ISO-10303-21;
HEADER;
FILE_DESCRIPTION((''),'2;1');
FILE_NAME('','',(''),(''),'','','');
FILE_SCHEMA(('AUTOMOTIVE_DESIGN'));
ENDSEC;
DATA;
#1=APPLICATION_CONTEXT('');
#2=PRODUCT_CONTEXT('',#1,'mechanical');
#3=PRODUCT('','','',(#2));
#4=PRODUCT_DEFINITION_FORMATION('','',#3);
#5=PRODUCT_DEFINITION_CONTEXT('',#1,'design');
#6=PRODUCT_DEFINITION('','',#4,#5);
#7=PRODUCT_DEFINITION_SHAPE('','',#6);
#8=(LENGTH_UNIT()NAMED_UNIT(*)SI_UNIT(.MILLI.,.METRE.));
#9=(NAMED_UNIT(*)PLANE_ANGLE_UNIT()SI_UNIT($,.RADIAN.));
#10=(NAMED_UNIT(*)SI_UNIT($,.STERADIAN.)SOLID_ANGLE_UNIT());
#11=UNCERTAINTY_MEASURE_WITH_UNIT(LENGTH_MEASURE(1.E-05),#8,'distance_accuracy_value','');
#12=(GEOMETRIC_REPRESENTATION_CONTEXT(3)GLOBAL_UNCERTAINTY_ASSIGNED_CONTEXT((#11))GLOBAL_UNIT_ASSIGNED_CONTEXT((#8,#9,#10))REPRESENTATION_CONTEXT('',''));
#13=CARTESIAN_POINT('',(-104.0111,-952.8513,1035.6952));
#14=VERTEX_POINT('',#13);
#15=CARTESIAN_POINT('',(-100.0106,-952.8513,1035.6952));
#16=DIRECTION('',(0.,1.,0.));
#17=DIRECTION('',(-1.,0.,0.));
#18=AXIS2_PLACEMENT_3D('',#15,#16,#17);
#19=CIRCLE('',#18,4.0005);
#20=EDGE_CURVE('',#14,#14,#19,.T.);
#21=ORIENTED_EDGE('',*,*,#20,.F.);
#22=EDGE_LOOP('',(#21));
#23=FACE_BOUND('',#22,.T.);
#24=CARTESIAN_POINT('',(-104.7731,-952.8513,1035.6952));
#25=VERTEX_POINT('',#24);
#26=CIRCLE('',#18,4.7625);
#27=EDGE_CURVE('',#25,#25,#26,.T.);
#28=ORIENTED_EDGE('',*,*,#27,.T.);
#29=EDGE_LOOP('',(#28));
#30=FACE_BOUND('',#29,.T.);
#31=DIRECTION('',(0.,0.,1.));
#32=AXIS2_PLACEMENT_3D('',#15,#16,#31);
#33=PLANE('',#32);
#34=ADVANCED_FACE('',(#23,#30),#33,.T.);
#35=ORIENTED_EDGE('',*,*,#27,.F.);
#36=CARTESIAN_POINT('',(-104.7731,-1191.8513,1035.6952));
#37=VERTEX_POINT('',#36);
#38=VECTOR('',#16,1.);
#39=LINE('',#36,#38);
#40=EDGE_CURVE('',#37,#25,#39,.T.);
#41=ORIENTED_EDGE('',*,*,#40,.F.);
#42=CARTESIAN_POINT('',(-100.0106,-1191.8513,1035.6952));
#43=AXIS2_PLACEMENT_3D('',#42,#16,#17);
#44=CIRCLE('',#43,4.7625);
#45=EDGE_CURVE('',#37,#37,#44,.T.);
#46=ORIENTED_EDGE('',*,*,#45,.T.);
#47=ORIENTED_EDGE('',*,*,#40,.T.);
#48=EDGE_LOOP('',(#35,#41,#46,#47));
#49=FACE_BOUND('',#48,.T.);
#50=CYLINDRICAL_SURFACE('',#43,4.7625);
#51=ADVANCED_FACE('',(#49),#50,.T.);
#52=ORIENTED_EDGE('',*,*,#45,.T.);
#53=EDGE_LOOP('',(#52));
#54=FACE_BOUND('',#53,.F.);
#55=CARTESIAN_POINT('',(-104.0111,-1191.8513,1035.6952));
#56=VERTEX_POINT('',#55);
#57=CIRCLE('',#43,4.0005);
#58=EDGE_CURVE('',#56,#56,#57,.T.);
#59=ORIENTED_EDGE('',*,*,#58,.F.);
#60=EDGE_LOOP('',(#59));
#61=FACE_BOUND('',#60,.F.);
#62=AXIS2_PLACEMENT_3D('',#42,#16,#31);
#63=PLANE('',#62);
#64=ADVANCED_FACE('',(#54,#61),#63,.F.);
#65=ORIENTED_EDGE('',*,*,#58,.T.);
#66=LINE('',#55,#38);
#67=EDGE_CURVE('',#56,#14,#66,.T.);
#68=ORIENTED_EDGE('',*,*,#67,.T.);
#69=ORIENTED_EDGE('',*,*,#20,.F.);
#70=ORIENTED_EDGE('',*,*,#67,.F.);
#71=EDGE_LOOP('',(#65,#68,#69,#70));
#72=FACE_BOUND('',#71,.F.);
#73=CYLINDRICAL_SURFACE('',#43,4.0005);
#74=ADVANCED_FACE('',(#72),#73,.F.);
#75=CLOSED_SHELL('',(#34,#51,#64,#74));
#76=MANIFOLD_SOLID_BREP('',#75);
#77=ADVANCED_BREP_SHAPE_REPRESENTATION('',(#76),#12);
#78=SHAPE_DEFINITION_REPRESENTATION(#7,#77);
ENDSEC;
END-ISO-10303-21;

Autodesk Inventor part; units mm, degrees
ref_plane "YZ Plane" through (0, 0, 0) normal (1, 0, 0) x (0, 1, 0)
ref_plane "XZ Plane" through (0, 0, 0) normal (0, 1, 0) x (-1, 0, 0)
ref_plane "Work Plane1" through (-100.0106, -1191.8513, 1035.6952) normal (0, 1, 0) x (-1, 0, 0)
sketch "Sketch3" plane through (-100.0106, -1191.8513, 1035.6952) normal (0, 1, 0) x (-1, 0, 0)
  circle A0 centre (0, 0) radius 4.7625
  circle A1 centre (0, 0) radius 4.0005
sketch3d "3D Sketch1"
  line L0 (-100.0106, -1191.8513, 1035.6952) -> (-100.0106, -952.8513, 1035.6952)
sweep "Sweep1" add profiles "Sketch3" path "3D Sketch1"
equation "\"OD\" = 9.525"
equation "\"t\" = 0.762"
equation "\"L\" = PL"
equation "\"ID\" = 8.001"
equation "\"PL\" = 238.9886"
equation "\"Size_Designation\" = 1.2345"
properties material "Copper"
